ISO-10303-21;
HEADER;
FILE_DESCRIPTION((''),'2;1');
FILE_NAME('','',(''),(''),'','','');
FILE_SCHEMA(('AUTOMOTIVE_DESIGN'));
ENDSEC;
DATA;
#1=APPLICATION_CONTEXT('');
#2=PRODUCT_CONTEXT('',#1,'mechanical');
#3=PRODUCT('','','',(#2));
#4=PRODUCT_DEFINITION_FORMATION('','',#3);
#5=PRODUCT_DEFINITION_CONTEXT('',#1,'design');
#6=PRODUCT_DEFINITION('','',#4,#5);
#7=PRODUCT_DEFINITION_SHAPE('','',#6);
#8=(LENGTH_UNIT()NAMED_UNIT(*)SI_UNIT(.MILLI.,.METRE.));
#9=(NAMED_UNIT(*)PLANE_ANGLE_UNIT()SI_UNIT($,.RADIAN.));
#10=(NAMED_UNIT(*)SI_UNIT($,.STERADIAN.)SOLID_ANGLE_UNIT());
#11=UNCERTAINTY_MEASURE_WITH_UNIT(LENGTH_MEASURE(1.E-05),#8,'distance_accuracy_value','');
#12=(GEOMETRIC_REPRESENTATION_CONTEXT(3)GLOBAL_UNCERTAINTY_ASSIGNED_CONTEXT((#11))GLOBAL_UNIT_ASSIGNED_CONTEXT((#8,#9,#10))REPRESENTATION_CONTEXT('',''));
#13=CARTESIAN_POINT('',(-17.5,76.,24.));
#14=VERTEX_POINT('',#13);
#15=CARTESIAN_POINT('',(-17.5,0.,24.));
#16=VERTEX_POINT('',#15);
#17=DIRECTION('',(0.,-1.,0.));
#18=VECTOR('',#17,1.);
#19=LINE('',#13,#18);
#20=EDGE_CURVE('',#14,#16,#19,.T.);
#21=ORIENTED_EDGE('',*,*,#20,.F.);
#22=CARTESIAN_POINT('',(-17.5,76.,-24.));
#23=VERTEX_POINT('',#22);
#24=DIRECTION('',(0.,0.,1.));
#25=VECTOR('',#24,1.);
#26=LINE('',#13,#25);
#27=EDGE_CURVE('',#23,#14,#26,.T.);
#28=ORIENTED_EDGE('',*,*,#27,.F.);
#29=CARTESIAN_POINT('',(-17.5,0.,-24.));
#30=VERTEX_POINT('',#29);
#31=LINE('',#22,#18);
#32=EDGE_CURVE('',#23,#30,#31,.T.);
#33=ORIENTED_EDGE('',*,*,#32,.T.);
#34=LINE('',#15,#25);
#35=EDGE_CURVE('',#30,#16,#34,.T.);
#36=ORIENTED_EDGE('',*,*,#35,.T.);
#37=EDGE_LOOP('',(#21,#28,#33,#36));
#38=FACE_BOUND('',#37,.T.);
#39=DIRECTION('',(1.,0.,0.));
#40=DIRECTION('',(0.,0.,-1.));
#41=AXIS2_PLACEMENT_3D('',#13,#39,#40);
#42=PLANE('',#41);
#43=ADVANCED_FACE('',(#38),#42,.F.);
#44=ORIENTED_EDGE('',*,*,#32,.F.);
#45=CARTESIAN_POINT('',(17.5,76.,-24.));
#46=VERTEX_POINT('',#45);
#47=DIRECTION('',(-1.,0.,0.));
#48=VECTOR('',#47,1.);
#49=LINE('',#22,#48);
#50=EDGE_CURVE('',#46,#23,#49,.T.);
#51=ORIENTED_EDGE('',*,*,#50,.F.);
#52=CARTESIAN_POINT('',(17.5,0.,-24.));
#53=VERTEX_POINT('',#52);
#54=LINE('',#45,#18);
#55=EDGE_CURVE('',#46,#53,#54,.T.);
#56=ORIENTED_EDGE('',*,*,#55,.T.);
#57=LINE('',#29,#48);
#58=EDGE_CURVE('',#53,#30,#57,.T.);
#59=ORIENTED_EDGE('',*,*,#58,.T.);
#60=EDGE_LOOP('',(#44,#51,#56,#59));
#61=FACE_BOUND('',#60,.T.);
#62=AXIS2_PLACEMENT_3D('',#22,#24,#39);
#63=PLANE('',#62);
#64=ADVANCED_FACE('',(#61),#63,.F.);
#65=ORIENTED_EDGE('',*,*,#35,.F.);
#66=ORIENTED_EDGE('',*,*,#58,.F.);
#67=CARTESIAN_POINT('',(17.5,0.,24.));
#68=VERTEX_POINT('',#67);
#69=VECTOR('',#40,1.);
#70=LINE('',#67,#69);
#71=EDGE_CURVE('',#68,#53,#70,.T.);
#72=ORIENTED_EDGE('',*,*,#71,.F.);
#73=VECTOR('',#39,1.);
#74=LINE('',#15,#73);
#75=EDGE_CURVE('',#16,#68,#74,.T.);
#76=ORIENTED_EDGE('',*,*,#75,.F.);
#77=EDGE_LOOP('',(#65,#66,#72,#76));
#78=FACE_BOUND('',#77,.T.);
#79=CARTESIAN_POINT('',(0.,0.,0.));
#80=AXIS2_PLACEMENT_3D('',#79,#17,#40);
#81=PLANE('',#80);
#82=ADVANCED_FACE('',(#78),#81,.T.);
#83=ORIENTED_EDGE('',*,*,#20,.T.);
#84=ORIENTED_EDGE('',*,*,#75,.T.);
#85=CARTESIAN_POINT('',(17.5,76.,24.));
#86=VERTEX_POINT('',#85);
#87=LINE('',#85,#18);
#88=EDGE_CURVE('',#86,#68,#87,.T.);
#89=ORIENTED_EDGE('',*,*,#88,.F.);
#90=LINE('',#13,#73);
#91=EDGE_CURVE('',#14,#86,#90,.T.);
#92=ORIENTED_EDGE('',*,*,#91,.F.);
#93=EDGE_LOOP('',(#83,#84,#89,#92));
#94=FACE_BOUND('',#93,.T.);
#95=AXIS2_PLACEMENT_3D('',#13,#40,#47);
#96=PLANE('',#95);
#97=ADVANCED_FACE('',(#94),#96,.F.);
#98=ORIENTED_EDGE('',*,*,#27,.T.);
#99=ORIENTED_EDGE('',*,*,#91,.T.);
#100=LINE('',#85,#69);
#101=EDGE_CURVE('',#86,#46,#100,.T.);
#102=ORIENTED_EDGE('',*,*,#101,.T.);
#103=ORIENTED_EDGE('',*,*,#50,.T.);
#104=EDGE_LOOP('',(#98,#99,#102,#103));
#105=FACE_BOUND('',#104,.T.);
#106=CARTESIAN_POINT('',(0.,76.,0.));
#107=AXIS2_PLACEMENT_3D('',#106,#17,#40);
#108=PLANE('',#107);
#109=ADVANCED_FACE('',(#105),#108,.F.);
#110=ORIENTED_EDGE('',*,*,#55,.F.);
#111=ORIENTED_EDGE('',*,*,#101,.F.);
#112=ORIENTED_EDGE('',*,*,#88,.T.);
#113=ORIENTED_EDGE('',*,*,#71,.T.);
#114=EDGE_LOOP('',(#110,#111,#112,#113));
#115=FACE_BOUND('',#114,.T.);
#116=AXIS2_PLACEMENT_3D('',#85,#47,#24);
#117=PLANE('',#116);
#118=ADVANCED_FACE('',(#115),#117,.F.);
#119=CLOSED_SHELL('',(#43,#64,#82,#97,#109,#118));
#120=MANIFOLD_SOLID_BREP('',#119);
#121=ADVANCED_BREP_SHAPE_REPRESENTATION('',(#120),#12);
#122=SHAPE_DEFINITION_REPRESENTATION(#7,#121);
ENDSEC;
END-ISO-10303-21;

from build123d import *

# Parameters (mm, degrees)
CROQUIS1_W              = 35
CROQUIS1_H              = 48
SALIENTE_EXTRUIR1_DEPTH = 76


with BuildPart() as part:
    # Croquis1 → Saliente-Extruir1 (new body)
    with BuildSketch(Plane(origin=(0, 0, 0), x_dir=(1, 0, 0), z_dir=(0, 1, 0))):
        Rectangle(CROQUIS1_W, CROQUIS1_H)
    extrude(amount=SALIENTE_EXTRUIR1_DEPTH)


solid = part.part
